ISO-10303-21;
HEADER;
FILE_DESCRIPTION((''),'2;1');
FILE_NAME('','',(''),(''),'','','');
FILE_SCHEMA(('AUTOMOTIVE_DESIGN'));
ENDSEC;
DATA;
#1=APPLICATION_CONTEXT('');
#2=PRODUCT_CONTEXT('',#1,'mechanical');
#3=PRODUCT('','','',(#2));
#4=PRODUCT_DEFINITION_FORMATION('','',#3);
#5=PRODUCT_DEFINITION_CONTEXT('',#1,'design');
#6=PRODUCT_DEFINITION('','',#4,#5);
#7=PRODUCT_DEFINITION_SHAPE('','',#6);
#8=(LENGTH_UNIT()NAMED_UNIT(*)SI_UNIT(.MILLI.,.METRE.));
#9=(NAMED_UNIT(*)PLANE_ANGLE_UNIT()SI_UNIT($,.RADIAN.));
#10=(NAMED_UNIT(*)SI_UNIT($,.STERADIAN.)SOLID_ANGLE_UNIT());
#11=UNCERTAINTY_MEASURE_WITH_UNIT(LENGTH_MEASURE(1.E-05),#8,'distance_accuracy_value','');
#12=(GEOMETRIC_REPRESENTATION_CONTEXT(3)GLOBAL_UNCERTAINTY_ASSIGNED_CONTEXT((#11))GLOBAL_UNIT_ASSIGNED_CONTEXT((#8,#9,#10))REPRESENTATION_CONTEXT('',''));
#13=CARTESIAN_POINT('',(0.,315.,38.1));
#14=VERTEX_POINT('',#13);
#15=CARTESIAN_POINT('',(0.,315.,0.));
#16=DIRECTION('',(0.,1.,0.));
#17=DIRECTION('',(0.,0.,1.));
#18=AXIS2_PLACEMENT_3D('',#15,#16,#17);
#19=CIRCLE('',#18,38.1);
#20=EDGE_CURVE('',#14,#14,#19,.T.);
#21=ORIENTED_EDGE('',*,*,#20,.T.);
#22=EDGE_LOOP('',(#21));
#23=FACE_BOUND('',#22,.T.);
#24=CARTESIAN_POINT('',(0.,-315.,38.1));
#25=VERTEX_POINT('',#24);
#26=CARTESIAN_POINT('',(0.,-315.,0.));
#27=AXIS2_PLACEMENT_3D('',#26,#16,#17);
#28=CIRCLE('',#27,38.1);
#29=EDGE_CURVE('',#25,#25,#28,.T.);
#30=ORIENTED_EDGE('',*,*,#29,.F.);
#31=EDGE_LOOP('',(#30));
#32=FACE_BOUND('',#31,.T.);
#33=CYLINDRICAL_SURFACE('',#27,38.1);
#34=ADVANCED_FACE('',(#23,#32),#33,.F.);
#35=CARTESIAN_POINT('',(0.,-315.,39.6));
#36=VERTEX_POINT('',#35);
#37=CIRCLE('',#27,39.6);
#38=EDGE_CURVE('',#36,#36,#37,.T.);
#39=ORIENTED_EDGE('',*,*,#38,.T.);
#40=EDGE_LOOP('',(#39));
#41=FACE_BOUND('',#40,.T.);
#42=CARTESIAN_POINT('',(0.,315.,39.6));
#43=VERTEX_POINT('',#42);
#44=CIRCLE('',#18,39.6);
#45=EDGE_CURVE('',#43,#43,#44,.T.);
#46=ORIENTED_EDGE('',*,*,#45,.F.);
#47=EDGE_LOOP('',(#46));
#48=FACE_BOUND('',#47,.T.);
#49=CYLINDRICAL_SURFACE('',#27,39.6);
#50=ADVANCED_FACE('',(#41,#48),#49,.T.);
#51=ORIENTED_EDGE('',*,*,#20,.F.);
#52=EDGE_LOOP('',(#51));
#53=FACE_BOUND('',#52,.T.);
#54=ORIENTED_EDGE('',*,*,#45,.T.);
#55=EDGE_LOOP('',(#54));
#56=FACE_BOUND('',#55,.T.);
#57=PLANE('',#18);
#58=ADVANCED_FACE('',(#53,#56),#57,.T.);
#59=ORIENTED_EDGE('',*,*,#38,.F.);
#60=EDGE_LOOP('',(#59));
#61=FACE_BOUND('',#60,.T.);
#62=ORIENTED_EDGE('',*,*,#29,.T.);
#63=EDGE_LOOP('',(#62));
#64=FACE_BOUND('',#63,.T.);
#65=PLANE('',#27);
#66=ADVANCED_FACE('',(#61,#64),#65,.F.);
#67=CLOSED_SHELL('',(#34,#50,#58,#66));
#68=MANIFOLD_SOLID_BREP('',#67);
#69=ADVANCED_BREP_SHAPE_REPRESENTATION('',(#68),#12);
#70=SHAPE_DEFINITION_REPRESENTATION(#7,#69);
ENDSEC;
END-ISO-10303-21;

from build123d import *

# Parameters (mm, degrees)
BOSS_EXTRUDE1_DEPTH      = 315
BOSS_EXTRUDE1_DEPTH_BACK = 315
SKETCH1_R                = 39.6
SKETCH1_R_2              = 38.1


with BuildPart() as part:
    # Sketch1 → Boss-Extrude1 (new, two sides: drawn at the far end of the back side and taken through both)
    with BuildSketch(Plane(origin=(0, 0, 0), x_dir=(1, 0, 0), z_dir=(0, 1, 0)).offset(-BOSS_EXTRUDE1_DEPTH_BACK)):
        Circle(SKETCH1_R)
        Circle(SKETCH1_R_2, mode=Mode.SUBTRACT)
    extrude(amount=BOSS_EXTRUDE1_DEPTH + BOSS_EXTRUDE1_DEPTH_BACK)


solid = part.part
